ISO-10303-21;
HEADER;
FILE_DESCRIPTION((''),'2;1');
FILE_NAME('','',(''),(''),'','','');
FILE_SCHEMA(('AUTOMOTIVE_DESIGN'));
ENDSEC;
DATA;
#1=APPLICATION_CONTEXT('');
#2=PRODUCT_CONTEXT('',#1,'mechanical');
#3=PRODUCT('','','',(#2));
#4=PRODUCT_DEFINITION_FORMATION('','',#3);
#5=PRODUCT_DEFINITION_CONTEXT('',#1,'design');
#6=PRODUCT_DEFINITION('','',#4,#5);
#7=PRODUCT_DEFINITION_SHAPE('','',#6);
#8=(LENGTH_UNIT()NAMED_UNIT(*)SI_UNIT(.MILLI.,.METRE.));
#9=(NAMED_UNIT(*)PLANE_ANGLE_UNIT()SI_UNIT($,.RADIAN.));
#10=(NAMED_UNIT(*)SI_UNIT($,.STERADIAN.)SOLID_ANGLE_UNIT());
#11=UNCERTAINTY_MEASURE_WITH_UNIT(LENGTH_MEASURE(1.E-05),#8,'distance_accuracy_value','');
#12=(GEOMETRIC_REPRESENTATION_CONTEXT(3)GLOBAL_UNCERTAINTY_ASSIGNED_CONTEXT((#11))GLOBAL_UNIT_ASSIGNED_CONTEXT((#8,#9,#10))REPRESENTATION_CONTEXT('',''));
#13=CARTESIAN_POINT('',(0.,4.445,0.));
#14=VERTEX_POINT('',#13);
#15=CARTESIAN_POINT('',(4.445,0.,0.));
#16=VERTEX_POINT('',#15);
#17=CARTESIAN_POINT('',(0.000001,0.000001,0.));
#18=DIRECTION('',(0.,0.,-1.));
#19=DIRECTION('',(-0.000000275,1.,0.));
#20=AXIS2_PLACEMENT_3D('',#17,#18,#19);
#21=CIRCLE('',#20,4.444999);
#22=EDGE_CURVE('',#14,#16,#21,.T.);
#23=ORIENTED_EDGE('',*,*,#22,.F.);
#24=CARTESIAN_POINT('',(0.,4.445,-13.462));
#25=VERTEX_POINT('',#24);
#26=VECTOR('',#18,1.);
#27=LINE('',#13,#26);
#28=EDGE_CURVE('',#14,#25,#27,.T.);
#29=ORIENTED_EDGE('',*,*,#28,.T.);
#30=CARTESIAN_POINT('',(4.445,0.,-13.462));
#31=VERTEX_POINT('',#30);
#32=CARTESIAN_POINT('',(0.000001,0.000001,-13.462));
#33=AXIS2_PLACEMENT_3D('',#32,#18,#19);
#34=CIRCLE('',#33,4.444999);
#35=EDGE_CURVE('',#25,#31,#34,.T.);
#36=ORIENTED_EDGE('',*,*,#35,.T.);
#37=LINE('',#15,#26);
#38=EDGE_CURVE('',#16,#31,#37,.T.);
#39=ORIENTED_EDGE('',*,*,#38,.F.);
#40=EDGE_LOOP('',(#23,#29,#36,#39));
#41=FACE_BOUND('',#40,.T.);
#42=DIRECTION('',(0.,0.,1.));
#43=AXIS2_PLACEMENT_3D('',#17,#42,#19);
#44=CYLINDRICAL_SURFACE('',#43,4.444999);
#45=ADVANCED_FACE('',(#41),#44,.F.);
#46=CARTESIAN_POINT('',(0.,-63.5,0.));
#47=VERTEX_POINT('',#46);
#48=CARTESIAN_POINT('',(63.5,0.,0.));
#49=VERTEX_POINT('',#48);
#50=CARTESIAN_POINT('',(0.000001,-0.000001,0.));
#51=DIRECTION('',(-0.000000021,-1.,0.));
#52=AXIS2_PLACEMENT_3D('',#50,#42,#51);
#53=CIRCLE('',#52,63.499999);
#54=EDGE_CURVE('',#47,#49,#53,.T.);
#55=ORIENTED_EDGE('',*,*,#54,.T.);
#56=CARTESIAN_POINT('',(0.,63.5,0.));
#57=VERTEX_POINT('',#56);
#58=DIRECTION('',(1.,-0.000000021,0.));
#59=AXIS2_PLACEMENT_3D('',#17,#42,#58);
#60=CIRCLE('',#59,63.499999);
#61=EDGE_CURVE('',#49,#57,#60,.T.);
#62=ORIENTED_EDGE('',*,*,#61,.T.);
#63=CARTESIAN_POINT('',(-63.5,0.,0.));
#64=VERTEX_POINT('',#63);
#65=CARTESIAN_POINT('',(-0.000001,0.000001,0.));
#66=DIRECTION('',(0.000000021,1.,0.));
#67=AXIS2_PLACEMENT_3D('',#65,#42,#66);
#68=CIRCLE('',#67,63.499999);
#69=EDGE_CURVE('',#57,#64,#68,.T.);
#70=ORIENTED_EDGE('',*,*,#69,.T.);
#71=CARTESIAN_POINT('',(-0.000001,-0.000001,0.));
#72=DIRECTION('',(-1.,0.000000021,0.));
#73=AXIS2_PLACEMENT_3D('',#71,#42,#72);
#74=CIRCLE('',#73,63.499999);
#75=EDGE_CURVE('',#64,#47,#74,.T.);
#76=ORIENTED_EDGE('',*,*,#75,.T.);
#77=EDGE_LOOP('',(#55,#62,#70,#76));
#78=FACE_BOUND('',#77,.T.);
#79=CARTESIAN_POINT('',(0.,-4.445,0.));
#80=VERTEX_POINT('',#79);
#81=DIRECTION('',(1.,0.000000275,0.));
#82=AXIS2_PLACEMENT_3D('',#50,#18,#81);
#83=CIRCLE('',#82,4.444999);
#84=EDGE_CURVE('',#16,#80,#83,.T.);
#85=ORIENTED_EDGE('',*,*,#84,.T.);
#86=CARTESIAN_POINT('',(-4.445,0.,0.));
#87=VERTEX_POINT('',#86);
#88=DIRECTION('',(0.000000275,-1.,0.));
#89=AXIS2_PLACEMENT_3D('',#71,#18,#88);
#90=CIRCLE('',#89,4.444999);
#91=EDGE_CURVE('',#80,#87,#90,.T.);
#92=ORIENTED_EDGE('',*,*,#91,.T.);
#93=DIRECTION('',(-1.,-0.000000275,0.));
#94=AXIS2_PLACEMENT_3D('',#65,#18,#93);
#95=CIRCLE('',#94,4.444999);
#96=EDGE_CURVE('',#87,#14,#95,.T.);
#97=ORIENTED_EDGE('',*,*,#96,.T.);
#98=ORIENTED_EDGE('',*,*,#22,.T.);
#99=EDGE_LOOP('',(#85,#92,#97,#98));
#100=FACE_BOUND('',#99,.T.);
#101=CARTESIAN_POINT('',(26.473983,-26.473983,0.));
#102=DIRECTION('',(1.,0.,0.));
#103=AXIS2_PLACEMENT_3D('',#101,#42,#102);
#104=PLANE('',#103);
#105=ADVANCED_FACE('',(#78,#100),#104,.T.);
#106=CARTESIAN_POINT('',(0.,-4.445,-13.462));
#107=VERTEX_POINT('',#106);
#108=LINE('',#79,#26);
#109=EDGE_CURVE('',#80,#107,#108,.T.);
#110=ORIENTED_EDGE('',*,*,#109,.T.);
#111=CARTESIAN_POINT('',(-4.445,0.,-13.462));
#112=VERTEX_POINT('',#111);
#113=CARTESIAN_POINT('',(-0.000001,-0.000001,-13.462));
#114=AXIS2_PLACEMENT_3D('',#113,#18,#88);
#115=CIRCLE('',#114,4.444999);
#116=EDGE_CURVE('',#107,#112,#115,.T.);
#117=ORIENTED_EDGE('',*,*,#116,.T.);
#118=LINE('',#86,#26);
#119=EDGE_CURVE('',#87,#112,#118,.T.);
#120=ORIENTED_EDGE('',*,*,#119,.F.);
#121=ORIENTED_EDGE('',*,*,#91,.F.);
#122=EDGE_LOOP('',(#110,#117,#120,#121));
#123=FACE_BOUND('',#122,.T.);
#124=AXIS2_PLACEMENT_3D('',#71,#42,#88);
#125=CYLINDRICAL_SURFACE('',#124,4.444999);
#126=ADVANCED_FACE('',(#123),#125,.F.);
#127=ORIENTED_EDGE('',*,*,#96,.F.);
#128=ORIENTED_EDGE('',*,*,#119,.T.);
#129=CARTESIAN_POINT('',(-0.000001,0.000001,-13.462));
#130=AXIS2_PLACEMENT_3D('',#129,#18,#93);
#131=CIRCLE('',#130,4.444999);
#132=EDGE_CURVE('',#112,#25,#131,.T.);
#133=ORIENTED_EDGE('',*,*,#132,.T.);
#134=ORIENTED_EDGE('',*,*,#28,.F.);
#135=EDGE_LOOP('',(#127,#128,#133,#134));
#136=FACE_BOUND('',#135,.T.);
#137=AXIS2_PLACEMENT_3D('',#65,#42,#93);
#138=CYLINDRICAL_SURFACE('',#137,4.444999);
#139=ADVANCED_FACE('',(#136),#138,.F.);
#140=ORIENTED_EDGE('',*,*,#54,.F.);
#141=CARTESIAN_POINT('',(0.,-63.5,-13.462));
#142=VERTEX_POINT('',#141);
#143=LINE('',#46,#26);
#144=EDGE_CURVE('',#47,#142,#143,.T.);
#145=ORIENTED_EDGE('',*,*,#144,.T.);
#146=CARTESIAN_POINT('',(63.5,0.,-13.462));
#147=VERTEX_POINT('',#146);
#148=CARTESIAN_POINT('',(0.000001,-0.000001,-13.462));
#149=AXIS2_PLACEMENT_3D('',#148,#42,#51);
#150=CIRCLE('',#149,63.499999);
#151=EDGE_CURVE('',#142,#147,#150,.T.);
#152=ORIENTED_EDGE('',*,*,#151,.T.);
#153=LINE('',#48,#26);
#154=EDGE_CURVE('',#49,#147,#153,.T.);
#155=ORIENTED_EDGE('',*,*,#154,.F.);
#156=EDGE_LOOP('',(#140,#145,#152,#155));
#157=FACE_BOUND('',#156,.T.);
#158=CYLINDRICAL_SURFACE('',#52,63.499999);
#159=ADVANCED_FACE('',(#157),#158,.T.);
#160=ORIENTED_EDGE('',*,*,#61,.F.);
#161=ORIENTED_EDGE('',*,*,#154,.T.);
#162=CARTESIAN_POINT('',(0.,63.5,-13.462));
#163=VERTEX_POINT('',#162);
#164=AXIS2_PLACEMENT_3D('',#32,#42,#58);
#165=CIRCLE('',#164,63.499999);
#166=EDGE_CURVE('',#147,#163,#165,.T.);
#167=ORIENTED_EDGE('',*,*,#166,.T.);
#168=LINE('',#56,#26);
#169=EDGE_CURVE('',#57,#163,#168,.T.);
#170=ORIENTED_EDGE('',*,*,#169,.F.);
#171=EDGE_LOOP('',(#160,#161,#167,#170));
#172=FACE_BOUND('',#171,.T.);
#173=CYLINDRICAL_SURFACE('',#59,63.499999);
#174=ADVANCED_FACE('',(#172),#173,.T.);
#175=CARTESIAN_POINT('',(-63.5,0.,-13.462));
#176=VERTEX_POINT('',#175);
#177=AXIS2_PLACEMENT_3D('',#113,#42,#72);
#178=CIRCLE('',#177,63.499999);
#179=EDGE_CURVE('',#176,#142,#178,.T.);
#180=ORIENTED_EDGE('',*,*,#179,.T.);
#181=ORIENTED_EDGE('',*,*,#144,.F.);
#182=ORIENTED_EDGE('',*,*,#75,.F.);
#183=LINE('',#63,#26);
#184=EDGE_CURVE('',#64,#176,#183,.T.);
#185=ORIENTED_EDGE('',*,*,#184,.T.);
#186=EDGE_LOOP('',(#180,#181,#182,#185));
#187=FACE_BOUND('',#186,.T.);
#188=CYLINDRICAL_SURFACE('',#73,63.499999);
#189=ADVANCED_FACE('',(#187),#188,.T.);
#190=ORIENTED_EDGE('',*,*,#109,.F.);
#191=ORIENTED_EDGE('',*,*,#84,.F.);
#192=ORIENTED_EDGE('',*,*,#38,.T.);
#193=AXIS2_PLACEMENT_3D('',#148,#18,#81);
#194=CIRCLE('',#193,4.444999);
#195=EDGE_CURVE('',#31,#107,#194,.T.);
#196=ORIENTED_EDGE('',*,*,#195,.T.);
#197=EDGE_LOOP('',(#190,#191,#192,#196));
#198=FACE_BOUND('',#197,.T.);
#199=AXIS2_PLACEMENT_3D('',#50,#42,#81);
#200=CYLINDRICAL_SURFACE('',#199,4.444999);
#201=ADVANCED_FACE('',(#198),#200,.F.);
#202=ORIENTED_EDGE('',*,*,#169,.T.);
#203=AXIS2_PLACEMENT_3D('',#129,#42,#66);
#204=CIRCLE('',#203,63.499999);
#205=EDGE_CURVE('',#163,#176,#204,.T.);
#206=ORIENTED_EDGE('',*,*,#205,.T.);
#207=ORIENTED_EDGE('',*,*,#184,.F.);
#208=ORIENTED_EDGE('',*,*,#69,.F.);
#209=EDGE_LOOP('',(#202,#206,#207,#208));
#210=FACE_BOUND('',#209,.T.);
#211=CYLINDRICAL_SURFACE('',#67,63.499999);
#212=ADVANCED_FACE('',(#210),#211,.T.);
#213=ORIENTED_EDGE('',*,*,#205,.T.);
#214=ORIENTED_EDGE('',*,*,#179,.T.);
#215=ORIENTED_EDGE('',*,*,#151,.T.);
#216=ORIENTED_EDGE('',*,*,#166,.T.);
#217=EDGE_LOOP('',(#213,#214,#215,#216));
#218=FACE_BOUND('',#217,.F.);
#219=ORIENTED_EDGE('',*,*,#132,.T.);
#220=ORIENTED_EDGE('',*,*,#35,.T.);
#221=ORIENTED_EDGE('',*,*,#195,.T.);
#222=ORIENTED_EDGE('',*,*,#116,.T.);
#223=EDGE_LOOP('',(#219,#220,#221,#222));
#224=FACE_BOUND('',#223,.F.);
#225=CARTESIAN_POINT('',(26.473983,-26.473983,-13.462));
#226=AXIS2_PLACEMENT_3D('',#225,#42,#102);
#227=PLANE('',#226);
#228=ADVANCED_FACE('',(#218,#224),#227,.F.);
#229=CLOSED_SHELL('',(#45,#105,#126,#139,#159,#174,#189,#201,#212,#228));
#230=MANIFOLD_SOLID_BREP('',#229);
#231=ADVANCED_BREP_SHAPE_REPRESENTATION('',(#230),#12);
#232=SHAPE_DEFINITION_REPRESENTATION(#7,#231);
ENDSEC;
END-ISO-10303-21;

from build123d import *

# Parameters (mm, degrees)
F1_DEPTH = 13.462


with BuildPart() as f1:
    # F0 (on Top) → F1 (new body)
    with BuildSketch(Plane.XY):
        with BuildLine():
            ThreePointArc((0, -63.5), (44.901281, -44.901281), (63.5, 0))
            Line((63.5, 0), (4.445, 0))
            ThreePointArc((4.445, 0), (3.14309, -3.14309), (0, -4.445))
            Line((0, -4.445), (0, -63.5))
        make_face()
        with BuildLine():
            ThreePointArc((-63.5, 0), (-44.901281, -44.901281), (0, -63.5))
            Line((0, -63.5), (0, -4.445))
            ThreePointArc((0, -4.445), (-3.14309, -3.14309), (-4.445, 0))
            Line((-4.445, 0), (-63.5, 0))
        make_face()
        with BuildLine():
            Line((4.445, 0), (63.5, 0))
            ThreePointArc((63.5, 0), (44.901281, 44.901281), (0, 63.5))
            Line((0, 63.5), (0, 4.445))
            ThreePointArc((0, 4.445), (3.14309, 3.14309), (4.445, 0))
        make_face()
        with BuildLine():
            Line((0, 4.445), (0, 63.5))
            ThreePointArc((0, 63.5), (-44.901281, 44.901281), (-63.5, 0))
            Line((-63.5, 0), (-4.445, 0))
            ThreePointArc((-4.445, 0), (-3.14309, 3.14309), (0, 4.445))
        make_face()
    extrude(amount=-F1_DEPTH)


solid = f1.part
